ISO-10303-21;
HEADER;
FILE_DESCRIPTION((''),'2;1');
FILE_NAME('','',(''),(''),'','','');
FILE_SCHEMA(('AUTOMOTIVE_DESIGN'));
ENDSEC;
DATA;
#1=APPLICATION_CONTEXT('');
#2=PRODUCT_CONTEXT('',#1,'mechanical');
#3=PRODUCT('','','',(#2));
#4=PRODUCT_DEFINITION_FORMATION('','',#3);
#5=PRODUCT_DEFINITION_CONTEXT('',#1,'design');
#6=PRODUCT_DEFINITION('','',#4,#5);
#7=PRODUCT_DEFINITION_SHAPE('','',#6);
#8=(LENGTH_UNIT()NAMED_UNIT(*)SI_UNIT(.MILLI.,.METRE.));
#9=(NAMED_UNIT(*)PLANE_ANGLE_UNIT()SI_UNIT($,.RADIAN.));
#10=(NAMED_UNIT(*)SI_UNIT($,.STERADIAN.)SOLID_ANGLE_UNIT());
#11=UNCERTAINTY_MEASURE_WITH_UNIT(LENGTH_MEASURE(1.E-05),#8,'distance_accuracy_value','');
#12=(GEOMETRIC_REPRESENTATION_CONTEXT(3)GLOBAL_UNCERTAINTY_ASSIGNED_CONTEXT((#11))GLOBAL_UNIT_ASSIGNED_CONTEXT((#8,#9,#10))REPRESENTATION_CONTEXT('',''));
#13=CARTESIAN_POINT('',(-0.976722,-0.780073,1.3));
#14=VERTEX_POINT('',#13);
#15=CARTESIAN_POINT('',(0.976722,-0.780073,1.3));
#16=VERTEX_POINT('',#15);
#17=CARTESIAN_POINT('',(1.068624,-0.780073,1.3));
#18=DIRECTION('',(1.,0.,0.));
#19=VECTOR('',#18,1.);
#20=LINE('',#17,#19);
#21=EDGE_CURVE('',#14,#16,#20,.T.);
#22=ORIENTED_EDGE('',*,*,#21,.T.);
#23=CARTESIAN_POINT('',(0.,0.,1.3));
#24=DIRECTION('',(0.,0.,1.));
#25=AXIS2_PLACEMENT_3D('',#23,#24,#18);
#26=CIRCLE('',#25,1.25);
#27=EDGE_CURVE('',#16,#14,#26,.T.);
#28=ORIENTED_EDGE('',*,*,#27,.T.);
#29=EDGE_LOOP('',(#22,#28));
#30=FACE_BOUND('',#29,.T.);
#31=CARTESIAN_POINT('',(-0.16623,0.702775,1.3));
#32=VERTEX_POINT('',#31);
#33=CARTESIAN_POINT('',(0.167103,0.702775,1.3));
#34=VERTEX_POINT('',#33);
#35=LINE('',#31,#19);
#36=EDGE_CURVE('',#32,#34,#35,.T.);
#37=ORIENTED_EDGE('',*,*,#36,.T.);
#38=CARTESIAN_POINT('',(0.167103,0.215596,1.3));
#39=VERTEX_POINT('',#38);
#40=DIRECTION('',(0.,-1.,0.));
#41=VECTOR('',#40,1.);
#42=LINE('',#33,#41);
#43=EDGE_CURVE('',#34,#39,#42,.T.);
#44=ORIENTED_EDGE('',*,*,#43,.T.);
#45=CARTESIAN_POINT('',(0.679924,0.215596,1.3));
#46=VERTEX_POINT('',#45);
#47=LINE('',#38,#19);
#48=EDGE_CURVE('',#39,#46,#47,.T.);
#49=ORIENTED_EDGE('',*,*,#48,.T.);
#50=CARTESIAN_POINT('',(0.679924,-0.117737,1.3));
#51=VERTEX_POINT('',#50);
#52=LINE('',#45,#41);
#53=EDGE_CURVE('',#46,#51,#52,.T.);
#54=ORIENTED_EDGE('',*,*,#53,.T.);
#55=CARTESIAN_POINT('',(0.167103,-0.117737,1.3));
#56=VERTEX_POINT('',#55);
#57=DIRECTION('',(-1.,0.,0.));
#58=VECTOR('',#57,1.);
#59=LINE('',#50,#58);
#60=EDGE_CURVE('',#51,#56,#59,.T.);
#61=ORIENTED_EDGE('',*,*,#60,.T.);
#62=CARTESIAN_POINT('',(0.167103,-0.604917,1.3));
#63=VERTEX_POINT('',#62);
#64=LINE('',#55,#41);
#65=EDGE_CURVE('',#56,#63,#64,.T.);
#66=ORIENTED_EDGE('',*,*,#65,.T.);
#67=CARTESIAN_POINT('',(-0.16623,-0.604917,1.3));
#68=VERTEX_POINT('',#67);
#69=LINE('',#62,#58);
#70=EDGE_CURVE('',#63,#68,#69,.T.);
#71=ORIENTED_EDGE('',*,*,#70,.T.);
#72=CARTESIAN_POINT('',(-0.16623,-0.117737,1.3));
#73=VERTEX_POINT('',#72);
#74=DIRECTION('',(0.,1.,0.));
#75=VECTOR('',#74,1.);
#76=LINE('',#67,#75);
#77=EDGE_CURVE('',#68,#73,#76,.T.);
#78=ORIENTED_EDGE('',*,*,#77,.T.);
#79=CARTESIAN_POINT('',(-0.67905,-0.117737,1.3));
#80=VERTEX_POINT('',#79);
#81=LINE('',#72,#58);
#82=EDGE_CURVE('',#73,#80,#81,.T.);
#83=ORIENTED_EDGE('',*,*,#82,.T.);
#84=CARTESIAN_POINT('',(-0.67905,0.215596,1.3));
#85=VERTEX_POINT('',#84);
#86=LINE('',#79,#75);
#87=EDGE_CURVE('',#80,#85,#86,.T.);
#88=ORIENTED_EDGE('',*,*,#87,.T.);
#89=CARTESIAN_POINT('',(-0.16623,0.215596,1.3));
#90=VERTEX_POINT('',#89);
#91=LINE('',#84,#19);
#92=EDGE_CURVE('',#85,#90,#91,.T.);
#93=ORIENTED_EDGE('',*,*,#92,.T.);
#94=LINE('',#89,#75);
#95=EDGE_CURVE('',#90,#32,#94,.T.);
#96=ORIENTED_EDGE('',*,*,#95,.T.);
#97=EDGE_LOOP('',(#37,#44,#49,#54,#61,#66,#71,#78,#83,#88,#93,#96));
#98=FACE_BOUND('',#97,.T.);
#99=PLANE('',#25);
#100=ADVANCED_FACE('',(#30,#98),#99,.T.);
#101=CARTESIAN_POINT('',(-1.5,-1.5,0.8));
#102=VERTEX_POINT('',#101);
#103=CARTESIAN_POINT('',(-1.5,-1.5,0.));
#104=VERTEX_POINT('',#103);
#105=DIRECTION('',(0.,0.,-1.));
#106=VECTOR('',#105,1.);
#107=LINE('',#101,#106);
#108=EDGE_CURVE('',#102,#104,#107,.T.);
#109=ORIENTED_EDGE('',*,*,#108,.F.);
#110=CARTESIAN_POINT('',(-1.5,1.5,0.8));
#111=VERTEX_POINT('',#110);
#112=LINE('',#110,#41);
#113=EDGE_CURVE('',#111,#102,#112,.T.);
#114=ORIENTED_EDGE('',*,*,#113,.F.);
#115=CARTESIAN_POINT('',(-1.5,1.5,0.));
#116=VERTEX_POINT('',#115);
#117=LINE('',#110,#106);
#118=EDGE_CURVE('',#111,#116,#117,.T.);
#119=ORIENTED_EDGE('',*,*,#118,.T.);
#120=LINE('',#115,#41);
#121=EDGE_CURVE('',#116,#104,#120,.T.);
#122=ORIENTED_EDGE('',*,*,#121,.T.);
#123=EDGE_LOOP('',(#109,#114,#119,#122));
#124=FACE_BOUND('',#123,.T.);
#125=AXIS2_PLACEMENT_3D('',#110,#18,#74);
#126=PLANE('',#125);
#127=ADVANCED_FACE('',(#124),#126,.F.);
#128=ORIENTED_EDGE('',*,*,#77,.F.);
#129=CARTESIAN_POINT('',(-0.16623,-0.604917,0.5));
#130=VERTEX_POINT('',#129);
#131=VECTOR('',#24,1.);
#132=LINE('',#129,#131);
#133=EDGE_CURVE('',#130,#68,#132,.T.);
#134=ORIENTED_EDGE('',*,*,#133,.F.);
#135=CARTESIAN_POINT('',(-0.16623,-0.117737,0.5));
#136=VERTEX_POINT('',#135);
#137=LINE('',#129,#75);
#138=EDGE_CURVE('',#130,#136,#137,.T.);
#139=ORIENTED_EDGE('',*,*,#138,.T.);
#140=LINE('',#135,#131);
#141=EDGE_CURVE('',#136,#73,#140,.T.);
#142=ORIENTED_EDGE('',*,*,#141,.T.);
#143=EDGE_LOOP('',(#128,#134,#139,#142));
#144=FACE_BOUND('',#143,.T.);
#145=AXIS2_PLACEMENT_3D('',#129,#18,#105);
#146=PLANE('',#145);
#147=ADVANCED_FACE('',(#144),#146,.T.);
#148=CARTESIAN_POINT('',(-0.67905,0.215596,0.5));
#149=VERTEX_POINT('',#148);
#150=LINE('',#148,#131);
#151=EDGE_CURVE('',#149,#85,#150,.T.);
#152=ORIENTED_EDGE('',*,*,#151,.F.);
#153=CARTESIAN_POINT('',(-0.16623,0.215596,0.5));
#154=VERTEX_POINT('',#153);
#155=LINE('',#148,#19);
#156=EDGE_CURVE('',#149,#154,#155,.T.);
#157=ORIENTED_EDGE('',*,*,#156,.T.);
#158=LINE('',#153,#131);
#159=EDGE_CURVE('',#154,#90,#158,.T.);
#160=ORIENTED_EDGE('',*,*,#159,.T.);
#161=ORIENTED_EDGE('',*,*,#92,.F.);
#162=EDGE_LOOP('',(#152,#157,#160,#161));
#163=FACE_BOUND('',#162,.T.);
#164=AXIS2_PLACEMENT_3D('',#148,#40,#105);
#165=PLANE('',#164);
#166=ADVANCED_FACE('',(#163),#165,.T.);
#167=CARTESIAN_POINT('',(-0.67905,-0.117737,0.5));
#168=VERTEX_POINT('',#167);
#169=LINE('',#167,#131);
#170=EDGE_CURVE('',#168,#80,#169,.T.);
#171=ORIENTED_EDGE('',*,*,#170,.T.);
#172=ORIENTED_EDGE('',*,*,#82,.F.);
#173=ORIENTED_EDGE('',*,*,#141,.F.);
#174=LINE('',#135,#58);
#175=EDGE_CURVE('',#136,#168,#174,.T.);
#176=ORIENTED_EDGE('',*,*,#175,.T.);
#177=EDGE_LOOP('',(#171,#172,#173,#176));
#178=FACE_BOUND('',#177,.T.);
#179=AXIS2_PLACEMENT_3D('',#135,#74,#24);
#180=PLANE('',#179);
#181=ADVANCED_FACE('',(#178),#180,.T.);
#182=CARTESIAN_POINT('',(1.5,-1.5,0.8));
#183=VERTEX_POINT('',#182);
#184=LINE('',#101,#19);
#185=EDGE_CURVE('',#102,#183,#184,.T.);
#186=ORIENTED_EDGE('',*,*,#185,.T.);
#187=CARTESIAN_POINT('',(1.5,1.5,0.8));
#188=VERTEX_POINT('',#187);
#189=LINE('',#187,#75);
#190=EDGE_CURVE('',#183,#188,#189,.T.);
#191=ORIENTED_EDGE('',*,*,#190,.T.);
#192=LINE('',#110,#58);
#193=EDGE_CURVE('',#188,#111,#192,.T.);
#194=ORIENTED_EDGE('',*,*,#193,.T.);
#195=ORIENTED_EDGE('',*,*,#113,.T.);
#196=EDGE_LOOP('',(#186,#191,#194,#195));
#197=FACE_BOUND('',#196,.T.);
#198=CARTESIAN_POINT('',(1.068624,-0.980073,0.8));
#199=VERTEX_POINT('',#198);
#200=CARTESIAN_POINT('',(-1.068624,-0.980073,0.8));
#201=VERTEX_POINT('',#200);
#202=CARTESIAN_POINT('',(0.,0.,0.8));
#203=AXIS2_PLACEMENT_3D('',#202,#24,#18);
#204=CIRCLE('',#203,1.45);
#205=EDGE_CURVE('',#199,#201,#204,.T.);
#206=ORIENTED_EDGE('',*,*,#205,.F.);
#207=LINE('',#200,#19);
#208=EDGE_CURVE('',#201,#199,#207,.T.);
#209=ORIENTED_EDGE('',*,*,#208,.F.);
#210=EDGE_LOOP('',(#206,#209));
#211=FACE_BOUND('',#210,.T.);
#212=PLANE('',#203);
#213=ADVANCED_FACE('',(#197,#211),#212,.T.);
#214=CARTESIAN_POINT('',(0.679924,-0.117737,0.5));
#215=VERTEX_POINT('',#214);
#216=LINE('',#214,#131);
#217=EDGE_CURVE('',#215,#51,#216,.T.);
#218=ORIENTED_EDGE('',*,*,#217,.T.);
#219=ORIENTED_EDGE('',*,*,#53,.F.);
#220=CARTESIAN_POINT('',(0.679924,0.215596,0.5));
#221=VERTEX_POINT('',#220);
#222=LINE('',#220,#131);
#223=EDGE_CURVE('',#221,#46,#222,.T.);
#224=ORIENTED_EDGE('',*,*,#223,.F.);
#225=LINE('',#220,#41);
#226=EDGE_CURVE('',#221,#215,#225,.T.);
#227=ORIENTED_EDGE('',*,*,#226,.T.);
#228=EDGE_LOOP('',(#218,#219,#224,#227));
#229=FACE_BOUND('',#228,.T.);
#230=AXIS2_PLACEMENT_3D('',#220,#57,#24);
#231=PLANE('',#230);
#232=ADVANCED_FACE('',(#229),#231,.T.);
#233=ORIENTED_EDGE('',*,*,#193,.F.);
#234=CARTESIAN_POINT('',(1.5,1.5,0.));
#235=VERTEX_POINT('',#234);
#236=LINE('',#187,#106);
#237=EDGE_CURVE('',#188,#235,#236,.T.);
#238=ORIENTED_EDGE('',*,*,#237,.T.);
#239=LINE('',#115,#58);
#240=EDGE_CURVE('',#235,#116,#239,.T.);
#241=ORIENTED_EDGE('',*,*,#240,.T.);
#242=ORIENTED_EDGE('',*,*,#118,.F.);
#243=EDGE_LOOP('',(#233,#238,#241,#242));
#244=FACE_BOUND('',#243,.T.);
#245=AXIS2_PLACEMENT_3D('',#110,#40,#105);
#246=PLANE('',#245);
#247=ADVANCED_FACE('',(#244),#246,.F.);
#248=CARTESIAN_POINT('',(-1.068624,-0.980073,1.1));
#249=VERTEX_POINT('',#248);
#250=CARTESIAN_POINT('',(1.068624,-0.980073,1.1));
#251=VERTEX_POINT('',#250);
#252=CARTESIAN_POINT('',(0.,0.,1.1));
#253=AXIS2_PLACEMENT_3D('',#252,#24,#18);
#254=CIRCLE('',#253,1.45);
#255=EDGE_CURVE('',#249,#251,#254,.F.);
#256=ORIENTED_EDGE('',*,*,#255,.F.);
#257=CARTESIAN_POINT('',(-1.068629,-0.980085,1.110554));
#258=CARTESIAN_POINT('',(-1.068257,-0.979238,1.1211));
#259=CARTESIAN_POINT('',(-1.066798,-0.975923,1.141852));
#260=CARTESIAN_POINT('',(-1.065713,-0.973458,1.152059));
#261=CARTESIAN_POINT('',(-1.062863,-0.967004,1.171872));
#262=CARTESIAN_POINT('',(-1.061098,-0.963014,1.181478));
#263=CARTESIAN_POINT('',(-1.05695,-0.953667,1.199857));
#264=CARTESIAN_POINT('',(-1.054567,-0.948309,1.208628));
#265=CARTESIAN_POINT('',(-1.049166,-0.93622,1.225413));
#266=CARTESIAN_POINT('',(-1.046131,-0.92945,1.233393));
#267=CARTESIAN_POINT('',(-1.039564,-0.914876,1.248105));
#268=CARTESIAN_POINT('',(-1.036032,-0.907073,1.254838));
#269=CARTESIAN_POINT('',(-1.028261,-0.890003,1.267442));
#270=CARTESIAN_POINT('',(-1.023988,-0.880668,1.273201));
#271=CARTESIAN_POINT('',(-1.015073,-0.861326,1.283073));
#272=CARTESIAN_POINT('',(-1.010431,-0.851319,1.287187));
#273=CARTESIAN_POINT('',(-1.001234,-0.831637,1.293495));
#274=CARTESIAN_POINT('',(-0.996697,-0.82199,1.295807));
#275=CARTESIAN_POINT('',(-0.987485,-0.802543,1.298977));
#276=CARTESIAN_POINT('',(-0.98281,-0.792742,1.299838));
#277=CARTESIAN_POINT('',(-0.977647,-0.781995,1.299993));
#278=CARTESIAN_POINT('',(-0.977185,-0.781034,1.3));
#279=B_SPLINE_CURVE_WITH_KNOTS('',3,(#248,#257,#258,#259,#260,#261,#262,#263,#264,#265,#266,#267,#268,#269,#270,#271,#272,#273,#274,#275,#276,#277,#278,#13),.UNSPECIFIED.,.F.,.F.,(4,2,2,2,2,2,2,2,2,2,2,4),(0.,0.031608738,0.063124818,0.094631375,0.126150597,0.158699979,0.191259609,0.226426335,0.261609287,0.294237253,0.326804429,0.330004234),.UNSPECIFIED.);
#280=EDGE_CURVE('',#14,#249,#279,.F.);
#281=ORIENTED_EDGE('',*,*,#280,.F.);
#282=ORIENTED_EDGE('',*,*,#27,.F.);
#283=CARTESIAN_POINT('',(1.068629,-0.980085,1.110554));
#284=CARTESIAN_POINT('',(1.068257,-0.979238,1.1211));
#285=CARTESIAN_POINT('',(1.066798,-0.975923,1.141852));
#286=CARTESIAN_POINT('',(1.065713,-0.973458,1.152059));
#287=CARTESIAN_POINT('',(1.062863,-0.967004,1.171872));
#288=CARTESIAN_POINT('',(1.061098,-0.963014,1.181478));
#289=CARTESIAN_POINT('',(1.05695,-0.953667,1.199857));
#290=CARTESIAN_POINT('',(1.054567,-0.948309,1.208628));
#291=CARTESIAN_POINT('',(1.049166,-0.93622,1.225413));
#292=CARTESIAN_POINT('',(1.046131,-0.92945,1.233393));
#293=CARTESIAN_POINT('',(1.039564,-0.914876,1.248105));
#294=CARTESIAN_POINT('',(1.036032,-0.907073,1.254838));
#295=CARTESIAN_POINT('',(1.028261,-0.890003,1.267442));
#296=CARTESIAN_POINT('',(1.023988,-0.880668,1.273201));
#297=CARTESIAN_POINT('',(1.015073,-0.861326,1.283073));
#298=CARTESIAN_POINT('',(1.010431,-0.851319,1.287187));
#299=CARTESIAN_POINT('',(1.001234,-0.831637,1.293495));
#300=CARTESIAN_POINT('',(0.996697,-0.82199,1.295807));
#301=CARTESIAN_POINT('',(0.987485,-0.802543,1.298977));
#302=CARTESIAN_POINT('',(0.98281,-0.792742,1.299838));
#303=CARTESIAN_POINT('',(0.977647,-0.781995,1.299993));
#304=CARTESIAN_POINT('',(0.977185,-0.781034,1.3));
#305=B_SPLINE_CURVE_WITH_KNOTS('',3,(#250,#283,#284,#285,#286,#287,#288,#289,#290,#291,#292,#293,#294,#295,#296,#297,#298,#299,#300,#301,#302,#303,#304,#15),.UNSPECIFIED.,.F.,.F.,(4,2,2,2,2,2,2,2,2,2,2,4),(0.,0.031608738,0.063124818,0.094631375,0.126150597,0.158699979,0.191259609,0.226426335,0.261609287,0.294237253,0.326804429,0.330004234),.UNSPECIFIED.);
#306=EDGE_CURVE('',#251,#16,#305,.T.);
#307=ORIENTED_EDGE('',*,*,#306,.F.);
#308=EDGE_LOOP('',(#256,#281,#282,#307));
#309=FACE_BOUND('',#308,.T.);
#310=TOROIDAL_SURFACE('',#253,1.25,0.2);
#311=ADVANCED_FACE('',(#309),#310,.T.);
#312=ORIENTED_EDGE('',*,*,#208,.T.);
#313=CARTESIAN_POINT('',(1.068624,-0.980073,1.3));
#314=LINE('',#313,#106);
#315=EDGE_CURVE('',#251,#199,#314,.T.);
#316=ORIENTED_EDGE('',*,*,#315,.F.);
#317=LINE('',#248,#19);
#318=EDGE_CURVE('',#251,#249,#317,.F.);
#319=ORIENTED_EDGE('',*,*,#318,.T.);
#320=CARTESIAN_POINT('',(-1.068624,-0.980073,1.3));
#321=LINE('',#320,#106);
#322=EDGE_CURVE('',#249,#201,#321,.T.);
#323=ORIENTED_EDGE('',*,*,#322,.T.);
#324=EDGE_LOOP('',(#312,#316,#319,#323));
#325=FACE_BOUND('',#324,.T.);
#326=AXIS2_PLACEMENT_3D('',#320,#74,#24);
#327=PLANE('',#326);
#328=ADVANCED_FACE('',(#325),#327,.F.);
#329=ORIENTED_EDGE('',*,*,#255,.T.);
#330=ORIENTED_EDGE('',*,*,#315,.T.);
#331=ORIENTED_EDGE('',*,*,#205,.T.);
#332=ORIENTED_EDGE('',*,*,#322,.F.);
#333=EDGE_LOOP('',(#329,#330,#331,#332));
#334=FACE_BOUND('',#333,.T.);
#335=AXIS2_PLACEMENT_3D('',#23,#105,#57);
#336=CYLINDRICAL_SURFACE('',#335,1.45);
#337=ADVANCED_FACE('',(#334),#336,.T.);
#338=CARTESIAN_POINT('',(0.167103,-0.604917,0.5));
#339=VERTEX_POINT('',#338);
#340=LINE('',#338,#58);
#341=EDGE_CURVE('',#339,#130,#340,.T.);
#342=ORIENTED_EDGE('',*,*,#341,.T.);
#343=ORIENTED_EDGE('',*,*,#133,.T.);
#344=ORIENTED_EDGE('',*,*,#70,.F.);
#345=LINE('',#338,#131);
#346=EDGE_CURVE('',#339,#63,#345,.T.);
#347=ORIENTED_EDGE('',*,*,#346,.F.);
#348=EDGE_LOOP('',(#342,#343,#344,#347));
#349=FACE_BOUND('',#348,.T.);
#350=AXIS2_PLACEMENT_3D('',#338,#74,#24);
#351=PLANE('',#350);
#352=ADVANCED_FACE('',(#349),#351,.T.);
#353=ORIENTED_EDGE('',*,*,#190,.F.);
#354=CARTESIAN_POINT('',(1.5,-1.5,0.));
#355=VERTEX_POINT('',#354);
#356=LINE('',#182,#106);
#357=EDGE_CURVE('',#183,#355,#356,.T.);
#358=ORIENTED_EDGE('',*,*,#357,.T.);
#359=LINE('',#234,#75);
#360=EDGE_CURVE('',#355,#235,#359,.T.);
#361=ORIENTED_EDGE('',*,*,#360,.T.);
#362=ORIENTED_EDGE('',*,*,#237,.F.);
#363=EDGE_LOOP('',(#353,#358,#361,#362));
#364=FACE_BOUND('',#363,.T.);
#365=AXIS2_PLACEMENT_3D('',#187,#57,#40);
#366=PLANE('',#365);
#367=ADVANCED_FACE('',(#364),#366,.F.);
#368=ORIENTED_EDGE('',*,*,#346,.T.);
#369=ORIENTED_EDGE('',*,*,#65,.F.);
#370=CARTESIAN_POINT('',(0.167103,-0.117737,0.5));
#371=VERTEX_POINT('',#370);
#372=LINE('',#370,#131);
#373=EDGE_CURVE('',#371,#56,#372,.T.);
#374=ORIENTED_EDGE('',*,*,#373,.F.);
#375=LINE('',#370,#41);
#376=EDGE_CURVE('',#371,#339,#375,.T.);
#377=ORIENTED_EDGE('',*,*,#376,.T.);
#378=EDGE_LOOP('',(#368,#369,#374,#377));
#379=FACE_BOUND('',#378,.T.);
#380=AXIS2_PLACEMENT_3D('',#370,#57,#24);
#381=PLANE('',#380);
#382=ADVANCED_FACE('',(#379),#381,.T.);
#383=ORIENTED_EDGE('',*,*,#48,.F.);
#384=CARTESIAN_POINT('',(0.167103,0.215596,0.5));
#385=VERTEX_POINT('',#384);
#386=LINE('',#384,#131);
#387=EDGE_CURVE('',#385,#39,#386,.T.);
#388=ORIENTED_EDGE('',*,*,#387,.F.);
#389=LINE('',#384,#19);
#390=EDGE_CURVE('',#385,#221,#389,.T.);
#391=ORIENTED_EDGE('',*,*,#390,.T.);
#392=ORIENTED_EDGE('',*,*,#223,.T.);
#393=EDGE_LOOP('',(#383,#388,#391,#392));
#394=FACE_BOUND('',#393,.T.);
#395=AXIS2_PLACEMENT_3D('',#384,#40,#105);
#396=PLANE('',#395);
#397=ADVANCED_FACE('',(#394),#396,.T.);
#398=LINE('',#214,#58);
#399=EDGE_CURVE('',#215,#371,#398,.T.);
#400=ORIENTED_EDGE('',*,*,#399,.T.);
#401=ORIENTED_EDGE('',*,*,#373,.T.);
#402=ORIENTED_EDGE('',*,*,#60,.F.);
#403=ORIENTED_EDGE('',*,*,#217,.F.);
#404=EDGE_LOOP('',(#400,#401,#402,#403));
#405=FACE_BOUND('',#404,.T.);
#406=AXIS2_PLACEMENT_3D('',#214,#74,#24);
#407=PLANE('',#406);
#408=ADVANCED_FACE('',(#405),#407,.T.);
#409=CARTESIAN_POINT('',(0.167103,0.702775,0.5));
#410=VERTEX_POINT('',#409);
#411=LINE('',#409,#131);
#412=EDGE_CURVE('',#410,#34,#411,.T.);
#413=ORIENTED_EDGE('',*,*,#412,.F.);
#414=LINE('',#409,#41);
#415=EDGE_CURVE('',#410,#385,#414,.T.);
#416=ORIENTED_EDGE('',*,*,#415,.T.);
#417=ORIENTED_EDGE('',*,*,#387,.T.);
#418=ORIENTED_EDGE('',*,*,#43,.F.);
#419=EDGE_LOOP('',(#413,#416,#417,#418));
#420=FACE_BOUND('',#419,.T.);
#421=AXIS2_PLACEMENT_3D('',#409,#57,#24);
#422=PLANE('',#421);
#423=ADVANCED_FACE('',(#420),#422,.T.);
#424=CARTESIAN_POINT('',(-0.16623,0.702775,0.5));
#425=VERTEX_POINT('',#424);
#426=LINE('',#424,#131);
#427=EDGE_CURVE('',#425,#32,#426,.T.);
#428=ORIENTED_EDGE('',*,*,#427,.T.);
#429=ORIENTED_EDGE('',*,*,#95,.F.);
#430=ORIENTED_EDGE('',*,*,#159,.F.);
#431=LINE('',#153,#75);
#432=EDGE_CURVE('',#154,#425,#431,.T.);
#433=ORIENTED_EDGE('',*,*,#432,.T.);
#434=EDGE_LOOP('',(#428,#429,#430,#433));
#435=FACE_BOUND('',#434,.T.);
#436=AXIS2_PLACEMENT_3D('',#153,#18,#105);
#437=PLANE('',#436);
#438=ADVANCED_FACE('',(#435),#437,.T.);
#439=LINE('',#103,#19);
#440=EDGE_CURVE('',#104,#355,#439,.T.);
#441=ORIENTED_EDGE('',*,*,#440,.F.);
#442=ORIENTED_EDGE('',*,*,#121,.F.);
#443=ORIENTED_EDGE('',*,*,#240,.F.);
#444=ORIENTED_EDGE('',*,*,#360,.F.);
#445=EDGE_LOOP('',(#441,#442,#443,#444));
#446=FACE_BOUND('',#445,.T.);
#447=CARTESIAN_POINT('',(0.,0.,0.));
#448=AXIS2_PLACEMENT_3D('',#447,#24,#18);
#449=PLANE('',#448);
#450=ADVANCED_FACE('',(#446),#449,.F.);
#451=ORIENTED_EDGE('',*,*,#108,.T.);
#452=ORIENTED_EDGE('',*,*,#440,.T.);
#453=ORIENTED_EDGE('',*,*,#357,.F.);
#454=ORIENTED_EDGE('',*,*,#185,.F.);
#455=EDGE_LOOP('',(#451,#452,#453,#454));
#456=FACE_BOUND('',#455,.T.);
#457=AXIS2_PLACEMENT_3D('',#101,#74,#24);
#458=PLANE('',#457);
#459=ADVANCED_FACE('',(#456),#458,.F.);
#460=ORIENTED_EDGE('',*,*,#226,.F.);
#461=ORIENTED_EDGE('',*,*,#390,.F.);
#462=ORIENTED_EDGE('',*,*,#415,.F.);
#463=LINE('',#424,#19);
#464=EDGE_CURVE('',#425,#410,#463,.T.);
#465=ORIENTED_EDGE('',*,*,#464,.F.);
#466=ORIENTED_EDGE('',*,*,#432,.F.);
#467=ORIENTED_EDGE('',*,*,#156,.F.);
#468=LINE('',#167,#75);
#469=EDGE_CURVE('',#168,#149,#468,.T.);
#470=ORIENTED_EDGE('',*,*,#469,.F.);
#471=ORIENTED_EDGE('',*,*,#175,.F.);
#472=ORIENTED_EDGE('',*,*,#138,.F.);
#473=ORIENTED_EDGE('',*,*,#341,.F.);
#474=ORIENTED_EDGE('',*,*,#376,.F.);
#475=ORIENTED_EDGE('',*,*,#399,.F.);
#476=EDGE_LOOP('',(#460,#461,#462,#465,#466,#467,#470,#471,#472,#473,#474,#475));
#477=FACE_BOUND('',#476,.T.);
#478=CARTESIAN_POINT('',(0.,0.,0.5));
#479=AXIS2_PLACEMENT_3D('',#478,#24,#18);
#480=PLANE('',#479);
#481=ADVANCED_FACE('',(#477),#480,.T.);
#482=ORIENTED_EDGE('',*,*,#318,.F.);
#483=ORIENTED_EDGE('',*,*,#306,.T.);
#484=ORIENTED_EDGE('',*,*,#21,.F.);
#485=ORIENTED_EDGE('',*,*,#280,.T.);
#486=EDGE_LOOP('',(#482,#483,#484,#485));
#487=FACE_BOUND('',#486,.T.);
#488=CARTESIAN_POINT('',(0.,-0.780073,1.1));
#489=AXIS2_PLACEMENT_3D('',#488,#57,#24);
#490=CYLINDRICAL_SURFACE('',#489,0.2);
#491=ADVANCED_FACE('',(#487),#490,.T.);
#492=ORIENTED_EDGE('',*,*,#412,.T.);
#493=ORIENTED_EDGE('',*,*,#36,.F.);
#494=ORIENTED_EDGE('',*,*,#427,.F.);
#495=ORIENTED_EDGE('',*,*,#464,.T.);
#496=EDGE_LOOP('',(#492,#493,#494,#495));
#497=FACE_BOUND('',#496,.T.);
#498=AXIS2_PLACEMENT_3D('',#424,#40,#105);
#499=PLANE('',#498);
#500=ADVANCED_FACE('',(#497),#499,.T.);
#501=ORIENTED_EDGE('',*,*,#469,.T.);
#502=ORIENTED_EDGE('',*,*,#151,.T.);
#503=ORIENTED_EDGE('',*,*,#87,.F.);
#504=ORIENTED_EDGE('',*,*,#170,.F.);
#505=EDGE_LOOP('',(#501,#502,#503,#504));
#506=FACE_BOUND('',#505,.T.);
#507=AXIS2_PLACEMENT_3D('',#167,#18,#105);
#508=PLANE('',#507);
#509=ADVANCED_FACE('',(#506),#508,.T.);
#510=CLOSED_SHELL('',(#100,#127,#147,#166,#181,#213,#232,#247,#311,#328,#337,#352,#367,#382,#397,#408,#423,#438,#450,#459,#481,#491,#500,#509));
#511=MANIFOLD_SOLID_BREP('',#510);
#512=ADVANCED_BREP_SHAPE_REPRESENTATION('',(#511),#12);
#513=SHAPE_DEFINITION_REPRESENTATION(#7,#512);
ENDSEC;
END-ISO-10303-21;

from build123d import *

# Parameters (mm, degrees)
SKETCH1_W           = 3
SKETCH1_H           = 3
BOSS_EXTRUDE1_DEPTH = 0.8
BOSS_EXTRUDE2_DEPTH = 0.5
CUT_EXTRUDE1_DEPTH  = 0.8
FILLET1_R           = 0.2


with BuildPart() as part:
    # Sketch1 → Boss-Extrude1 (new body)
    with BuildSketch(Plane.XY):
        Rectangle(SKETCH1_W, SKETCH1_H)
    extrude(amount=BOSS_EXTRUDE1_DEPTH)

    # Sketch2 → Boss-Extrude2 (add)
    with BuildSketch(Plane.XY.offset(0.8)):
        with BuildLine():
            Line((-1.068624141, -0.980072674), (1.068624141, -0.980072674))
            ThreePointArc((1.068624141, -0.980072674), (0, 1.45), (-1.068624141, -0.980072674))
        make_face()
    extrude(amount=BOSS_EXTRUDE2_DEPTH)

    # Sketch3 → Cut-Extrude1 (cut)
    with BuildSketch(Plane.XY.offset(1.3)):
        Polygon((-0.166229868, 0.215595899), (-0.166229868, 0.702775387), (0.167103465, 0.702775387), (0.167103465, 0.215595899), (0.679923978, 0.215595899), (0.679923978, -0.117737434), (0.167103465, -0.117737434), (0.167103465, -0.604916921), (-0.166229868, -0.604916921), (-0.166229868, -0.117737434), (-0.679050381, -0.117737434), (-0.679050381, 0.215595899), align=None)
    extrude(amount=-CUT_EXTRUDE1_DEPTH, mode=Mode.SUBTRACT)

    # Fillet1
    fillet1_edges = [part.edges().sort_by_distance(p)[0] for p in [
        (0, 1.45, 1.3),
        (0, -0.980072674, 1.3),
    ]]
    fillet(fillet1_edges, radius=FILLET1_R)


solid = part.part
